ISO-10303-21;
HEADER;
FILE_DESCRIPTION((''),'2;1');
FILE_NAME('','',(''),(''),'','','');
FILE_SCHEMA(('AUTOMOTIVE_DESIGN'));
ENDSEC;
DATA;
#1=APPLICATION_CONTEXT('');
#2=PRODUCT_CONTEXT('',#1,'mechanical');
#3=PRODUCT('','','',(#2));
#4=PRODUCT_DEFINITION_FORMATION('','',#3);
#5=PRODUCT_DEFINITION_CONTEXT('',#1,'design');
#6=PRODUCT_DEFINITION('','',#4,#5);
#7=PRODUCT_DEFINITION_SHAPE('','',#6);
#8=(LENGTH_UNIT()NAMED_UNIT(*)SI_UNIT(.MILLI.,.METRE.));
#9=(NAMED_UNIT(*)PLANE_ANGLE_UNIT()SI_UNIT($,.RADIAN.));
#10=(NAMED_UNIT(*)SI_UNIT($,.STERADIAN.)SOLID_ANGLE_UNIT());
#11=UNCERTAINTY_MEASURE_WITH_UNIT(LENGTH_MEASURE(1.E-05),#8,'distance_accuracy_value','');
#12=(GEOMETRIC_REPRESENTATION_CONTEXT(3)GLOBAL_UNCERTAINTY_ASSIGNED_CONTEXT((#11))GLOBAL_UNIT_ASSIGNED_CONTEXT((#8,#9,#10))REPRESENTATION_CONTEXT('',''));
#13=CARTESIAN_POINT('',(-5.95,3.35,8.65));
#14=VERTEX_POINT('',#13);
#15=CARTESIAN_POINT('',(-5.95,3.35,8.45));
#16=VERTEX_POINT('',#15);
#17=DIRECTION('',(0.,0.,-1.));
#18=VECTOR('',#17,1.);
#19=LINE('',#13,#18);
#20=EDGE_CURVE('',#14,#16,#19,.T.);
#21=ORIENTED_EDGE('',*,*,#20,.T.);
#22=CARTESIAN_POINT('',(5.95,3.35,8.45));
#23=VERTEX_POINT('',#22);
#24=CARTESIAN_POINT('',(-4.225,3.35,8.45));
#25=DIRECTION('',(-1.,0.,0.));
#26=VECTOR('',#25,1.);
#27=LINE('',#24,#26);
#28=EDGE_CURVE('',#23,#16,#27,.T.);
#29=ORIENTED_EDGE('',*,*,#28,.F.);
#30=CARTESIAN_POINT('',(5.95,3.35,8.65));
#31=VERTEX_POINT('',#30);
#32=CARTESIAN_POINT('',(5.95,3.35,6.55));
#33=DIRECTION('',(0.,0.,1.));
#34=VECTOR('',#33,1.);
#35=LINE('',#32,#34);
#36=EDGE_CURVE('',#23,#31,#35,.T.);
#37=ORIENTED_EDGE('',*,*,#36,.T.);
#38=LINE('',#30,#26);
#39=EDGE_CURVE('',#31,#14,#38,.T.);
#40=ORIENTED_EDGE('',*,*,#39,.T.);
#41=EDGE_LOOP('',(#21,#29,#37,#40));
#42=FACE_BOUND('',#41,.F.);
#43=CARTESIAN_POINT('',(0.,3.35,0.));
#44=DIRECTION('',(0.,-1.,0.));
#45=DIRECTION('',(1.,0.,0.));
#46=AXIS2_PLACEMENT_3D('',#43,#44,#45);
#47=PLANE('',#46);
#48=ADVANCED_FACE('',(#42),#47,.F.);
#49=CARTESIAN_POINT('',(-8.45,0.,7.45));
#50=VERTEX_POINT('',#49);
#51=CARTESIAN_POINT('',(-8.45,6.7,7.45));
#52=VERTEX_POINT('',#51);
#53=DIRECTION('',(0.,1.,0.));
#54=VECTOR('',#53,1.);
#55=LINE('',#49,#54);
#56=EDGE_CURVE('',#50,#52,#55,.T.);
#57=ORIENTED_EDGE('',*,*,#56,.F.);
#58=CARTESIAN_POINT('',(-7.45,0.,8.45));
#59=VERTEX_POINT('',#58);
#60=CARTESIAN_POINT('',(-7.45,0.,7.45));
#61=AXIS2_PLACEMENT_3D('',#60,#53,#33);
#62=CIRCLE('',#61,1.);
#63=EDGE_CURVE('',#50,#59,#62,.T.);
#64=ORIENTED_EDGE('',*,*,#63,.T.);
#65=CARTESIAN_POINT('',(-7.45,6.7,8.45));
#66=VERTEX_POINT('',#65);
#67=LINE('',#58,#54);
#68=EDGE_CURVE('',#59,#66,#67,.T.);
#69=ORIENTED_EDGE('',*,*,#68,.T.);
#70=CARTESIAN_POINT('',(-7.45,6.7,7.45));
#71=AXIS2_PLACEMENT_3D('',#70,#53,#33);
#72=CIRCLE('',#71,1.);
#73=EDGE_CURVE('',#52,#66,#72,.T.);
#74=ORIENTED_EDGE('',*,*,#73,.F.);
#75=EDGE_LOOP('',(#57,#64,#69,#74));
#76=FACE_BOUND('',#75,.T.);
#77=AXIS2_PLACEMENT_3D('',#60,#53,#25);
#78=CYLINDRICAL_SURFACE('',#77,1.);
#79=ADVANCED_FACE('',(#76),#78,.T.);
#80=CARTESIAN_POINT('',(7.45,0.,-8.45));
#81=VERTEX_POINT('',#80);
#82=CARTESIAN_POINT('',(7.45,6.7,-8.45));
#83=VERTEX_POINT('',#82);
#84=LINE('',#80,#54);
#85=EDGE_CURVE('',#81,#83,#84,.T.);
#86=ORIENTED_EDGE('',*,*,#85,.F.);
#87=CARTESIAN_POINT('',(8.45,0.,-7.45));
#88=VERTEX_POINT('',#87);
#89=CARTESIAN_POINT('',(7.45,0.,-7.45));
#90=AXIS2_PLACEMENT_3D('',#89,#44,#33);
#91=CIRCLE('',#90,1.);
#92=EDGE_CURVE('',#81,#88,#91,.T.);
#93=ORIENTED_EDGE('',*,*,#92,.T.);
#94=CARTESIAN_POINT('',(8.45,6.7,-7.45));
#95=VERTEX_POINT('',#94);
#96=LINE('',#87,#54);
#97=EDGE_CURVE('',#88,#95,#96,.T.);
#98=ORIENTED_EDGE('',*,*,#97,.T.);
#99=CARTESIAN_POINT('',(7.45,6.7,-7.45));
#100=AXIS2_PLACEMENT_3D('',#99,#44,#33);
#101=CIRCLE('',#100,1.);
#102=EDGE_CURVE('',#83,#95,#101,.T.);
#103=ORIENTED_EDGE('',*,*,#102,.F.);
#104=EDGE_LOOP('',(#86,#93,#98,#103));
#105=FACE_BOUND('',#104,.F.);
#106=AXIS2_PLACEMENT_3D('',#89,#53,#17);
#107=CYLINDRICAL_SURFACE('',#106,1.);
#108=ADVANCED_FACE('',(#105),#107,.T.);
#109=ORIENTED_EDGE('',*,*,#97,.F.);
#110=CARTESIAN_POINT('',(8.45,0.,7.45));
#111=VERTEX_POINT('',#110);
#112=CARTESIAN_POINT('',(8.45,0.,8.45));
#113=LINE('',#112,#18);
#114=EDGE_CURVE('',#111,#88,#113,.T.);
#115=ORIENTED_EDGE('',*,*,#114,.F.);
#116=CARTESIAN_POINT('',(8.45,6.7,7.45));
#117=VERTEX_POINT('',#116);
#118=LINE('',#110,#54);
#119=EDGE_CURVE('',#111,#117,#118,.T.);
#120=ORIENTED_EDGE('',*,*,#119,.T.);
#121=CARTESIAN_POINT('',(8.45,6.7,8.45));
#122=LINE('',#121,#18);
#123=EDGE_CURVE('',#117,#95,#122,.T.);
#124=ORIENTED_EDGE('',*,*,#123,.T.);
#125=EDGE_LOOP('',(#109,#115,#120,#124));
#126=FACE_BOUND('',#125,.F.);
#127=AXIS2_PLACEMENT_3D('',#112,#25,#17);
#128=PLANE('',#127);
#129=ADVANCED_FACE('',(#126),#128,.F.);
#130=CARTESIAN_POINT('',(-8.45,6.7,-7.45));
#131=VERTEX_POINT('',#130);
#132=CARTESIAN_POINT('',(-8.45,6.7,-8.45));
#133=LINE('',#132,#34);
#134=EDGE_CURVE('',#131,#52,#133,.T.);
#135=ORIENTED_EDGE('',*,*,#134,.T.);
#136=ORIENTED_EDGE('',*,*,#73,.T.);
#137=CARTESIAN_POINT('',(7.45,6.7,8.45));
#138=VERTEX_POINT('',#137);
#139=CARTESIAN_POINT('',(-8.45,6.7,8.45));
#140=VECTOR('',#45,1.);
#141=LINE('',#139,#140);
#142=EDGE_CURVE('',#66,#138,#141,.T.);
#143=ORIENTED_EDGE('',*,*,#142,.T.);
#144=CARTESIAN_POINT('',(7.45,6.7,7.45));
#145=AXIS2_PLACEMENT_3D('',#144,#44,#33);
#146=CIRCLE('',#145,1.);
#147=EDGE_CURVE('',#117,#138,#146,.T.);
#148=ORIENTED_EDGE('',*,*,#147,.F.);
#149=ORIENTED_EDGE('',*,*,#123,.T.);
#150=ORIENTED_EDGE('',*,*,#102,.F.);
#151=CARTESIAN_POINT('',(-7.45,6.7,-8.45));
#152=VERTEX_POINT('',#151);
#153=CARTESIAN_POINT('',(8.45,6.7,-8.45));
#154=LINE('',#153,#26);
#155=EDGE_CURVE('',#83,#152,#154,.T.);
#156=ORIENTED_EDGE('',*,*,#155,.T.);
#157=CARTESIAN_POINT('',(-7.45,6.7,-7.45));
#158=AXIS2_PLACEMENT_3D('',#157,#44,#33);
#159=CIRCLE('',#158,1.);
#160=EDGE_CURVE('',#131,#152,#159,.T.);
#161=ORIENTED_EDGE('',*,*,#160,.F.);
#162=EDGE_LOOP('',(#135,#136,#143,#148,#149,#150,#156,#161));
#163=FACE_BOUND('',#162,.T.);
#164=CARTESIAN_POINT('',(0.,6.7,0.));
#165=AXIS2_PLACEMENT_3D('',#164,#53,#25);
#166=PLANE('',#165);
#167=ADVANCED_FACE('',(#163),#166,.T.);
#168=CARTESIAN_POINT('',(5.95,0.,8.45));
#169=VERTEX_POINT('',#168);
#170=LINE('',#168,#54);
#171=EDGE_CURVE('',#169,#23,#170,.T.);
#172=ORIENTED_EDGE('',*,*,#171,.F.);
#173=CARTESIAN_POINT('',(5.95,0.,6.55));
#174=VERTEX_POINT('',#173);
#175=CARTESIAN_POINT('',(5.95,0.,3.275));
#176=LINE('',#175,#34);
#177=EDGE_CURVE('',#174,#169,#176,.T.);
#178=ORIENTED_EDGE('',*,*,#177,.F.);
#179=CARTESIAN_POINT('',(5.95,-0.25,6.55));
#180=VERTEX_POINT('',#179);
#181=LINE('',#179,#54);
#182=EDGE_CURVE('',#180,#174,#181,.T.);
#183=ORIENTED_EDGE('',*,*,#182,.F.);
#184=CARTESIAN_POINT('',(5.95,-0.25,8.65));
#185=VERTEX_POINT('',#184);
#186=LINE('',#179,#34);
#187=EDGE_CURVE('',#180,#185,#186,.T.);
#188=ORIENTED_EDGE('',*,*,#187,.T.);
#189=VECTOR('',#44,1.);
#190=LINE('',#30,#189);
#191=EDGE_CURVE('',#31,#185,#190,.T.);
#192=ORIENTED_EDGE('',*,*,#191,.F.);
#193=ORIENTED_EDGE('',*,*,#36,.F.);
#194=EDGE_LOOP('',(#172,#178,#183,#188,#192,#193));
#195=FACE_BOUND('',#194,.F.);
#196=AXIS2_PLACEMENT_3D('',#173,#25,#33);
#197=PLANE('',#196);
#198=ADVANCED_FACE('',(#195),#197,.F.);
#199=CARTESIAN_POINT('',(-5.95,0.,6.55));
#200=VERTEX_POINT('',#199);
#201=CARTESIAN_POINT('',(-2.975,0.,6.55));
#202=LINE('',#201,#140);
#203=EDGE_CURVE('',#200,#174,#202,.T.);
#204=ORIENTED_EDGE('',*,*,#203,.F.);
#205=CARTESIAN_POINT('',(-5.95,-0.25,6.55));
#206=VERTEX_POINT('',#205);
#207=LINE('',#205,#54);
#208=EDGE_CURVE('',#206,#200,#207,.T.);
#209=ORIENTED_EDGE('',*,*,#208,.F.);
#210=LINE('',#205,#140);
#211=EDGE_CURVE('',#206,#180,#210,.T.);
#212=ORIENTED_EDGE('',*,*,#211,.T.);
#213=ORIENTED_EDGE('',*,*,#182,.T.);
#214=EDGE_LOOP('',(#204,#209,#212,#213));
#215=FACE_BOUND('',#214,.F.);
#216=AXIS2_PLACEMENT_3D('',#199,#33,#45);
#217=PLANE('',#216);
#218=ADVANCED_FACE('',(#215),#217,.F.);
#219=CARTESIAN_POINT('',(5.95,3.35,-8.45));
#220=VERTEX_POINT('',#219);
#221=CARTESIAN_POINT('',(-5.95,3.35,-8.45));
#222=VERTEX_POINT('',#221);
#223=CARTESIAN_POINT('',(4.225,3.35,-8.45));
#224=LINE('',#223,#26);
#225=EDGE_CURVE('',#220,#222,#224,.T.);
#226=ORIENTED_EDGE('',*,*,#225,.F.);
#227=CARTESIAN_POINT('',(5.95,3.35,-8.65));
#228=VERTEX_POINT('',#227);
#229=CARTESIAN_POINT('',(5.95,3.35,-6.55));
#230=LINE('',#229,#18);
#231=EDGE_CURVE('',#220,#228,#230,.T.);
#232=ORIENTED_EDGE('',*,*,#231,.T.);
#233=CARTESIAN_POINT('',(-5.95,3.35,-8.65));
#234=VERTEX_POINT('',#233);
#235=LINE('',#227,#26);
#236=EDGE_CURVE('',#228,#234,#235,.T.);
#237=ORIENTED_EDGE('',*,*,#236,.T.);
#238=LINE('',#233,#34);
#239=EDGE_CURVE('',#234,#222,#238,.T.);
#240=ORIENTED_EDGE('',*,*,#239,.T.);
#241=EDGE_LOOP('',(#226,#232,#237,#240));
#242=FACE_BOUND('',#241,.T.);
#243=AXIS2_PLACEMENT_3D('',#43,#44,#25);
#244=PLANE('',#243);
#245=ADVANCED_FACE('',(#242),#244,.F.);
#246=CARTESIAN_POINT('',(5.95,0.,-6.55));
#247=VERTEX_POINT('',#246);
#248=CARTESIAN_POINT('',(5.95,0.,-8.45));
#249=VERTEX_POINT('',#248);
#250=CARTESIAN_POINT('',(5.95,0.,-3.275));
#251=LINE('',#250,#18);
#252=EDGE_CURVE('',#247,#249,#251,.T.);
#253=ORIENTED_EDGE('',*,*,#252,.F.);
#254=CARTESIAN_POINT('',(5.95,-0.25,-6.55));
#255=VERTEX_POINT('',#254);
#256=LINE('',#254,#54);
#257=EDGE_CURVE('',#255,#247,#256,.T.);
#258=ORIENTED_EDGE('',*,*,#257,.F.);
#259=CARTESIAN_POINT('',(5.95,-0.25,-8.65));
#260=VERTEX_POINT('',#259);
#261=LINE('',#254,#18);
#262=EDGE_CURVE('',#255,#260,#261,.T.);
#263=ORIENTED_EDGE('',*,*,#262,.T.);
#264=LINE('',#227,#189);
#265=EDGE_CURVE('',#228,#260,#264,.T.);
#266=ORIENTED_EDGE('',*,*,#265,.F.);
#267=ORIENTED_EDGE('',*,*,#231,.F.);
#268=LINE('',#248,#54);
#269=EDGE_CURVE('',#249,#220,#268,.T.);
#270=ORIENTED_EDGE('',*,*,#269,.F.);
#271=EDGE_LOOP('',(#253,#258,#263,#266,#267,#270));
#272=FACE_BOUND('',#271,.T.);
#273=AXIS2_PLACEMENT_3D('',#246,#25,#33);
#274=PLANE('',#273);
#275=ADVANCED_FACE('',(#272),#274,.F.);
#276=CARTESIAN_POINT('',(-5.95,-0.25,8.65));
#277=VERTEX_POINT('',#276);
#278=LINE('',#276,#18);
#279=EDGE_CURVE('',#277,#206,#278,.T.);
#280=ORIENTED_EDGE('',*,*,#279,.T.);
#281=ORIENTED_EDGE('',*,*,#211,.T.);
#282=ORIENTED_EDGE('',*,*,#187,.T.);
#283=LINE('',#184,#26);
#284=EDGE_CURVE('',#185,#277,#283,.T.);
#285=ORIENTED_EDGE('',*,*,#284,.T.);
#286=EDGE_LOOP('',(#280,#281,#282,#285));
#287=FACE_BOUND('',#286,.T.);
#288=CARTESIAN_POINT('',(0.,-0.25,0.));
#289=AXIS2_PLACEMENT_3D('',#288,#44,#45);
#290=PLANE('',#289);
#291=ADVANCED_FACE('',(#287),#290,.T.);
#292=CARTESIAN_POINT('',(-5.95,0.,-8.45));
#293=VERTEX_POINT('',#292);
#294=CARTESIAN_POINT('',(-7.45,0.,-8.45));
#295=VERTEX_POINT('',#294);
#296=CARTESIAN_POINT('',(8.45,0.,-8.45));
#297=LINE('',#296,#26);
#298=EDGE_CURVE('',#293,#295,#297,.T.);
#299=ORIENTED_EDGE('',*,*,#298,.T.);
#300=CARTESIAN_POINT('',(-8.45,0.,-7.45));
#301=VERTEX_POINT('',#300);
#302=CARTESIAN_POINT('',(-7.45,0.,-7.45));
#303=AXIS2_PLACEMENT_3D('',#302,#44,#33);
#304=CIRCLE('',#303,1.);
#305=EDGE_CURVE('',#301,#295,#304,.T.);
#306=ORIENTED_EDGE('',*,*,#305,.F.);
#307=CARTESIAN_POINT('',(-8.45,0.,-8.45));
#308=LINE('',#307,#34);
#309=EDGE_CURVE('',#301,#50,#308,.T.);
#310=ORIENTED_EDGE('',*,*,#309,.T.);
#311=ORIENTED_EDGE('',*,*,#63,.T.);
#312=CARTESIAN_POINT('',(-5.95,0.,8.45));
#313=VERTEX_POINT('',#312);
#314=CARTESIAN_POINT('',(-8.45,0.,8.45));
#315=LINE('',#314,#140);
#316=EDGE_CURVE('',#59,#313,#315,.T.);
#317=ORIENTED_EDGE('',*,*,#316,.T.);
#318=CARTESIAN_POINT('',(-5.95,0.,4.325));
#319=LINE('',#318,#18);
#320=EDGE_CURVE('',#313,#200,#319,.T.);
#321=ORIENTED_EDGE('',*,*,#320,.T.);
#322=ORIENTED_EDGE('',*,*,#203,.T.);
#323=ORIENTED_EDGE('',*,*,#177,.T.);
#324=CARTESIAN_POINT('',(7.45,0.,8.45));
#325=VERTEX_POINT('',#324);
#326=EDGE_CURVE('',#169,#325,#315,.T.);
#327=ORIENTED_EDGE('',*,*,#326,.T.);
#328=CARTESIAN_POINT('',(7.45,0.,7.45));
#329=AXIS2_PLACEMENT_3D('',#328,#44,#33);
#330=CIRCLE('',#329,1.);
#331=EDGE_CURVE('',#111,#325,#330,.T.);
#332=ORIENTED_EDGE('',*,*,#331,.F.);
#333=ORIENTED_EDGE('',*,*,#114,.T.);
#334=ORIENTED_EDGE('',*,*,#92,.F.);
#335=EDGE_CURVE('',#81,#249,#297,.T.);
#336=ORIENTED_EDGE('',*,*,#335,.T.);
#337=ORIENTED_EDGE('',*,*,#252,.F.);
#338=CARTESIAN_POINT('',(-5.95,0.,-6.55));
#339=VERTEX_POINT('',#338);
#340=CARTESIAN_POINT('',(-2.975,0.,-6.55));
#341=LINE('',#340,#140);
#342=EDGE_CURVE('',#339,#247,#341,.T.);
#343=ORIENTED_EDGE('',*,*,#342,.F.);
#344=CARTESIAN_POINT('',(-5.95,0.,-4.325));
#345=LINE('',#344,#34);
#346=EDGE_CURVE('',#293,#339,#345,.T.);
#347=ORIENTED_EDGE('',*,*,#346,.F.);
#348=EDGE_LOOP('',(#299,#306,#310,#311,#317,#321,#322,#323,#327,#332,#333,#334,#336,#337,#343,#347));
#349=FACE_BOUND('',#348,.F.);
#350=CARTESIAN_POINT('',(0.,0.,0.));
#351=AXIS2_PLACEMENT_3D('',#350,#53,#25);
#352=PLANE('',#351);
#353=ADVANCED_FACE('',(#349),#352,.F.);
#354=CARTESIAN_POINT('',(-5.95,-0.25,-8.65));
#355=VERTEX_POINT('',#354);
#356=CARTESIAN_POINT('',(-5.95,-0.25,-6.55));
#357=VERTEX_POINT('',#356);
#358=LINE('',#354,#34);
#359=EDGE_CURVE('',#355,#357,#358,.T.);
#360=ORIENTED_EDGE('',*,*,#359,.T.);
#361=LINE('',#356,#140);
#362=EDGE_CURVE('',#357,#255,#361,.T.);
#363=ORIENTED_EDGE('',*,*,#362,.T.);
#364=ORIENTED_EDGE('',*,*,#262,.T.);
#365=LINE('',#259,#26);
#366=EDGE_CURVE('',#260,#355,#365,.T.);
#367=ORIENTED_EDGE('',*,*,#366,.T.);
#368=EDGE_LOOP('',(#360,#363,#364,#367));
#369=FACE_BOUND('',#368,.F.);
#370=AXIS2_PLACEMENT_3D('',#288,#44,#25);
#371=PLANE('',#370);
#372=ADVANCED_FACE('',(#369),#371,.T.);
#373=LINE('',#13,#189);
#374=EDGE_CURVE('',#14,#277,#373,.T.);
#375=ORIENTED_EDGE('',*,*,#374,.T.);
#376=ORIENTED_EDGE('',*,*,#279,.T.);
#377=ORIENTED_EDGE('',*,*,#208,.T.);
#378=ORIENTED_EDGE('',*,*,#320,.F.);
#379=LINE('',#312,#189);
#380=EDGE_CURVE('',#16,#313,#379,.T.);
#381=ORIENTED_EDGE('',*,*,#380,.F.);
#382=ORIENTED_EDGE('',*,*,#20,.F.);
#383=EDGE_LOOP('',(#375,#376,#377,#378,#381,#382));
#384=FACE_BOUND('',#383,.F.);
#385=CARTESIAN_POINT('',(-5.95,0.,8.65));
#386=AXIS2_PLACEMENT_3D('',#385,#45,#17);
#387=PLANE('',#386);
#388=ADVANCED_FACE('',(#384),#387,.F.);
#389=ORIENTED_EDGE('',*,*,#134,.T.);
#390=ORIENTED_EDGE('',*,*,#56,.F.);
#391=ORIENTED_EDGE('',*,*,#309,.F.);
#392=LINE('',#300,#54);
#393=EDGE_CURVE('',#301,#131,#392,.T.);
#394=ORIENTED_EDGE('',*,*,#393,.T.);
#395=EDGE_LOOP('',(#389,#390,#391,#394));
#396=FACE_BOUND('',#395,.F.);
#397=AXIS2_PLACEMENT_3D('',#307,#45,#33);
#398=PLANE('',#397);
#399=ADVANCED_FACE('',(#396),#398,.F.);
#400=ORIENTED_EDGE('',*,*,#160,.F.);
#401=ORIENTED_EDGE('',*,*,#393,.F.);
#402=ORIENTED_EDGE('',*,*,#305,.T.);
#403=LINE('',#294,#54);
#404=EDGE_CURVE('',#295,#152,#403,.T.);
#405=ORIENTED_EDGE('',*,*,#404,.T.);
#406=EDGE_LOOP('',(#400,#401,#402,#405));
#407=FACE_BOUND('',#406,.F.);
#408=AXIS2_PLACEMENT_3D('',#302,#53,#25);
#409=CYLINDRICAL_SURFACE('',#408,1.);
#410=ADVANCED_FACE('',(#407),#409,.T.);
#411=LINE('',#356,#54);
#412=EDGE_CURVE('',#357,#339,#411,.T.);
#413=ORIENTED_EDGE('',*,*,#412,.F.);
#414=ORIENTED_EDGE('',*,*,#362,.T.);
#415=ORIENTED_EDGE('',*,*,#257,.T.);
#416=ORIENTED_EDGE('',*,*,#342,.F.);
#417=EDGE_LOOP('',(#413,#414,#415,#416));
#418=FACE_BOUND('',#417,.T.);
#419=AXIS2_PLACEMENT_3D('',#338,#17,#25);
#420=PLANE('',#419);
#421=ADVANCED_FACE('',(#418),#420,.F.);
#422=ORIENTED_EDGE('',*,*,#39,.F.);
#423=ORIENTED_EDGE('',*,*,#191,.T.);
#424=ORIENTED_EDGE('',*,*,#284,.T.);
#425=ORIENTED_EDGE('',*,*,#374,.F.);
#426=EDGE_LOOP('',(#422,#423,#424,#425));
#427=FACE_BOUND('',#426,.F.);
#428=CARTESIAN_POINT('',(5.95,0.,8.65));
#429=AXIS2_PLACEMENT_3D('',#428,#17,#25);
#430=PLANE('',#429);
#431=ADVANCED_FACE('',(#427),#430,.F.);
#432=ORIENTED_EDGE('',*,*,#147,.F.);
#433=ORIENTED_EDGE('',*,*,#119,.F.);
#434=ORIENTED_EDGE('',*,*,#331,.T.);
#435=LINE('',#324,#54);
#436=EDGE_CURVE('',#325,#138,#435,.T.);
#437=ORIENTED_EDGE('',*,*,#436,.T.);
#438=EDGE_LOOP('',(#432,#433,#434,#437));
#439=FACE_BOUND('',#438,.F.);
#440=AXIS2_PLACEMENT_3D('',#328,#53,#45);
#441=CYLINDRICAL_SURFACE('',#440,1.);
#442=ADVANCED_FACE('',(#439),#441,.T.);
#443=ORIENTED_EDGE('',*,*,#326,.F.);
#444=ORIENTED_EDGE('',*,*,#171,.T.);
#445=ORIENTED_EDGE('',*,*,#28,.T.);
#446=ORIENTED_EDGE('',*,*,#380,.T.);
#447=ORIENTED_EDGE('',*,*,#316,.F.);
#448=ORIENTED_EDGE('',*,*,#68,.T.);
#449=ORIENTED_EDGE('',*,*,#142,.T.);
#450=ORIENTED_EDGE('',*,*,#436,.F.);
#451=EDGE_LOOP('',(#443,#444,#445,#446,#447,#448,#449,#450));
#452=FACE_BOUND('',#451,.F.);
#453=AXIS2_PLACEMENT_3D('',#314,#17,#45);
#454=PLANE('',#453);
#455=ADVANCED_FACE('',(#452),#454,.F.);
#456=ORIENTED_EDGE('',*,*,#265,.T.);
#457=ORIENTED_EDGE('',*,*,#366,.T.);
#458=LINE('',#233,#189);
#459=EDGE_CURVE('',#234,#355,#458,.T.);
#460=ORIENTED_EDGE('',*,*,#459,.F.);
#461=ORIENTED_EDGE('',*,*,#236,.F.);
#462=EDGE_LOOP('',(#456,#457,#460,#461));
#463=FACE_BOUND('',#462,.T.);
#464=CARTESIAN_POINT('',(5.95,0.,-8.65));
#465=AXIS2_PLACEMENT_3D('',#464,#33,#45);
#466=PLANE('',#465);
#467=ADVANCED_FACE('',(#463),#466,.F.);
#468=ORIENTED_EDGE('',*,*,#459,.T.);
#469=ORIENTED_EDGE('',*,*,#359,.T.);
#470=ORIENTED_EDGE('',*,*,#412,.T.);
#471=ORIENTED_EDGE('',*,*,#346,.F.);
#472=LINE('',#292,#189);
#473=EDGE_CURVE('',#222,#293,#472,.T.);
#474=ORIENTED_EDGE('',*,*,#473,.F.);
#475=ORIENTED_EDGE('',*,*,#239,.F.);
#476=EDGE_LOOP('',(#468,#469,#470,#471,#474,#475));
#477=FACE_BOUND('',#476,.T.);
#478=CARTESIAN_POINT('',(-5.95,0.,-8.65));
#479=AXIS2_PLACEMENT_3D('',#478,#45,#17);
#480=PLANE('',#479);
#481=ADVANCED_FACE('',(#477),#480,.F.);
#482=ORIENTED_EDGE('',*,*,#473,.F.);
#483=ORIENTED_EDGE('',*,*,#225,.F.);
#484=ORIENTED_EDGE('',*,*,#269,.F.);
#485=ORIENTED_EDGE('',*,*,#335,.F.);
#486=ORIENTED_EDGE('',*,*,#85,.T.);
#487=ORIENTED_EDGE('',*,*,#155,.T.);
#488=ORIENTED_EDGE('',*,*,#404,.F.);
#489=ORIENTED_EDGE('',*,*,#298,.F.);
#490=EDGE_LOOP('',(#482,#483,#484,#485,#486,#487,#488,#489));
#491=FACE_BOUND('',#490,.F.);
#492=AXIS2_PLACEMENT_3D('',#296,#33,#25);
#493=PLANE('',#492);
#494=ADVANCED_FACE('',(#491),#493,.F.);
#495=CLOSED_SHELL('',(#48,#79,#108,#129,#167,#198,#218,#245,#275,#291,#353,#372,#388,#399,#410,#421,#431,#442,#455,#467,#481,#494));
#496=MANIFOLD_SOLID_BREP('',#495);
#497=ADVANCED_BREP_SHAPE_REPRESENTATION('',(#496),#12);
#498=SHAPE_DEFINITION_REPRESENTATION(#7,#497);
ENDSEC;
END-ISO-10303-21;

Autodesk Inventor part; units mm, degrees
ref_plane "YZ Plane" through (0, 0, 0) normal (1, 0, 0) x (0, 1, 0)
ref_plane "XZ Plane" through (0, 0, 0) normal (0, 1, 0) x (-1, 0, 0)
ref_plane "XY Plane" through (0, 0, 0) normal (0, 0, 1) x (1, 0, 0)
sketch "Sketch1" plane through (0, 0, 0) normal (0, 1, 0) x (-1, 0, 0)
  line L0 (8.45, 8.45) -> (-8.45, 8.45)
  line L1 (-8.45, 8.45) -> (-8.45, -8.45)
  line L2 (-8.45, -8.45) -> (8.45, -8.45)
  line L3 (8.45, -8.45) -> (8.45, 8.45)
  point P0 (0, 0)
  dimension "d0" = 16.9
  dimension "d1" = 16.9
  dimension "d2" = 8.45
  dimension "d3" = 8.45
extrude "Extrusion1" add sketch "Sketch1" along normal blind 6.7
fillet "Fillet1" radius 1 4 edges at (8.45, 3.35, -8.45) (8.45, 3.35, 8.45) (-8.45, 3.35, 8.45) (-8.45, 3.35, -8.45)
sketch "Sketch2" plane through (0, 0, 0) normal (0, -1, 0) x (1, 0, 0)
  line L0 (5.95, 8.65) -> (-5.95, 8.65)
  line L1 (-5.95, 8.65) -> (-5.95, 6.55)
  line L2 (-5.95, 6.55) -> (5.95, 6.55)
  line L3 (5.95, 6.55) -> (5.95, 8.65)
  point P0 (0, 0)
  dimension "d7" = 11.9
  dimension "d8" = 5.95
  dimension "d9" = 2.1
  dimension "d10" = 8.65
extrude "Extrusion2" add sketch "Sketch2" along normal blind 0.25 and the other way blind 3.35
mirror "Mirror1" about plane through (0, 0, 0) normal (0, 0, 1) of "Extrusion2"
properties part number "SRP1770TA-101M"
